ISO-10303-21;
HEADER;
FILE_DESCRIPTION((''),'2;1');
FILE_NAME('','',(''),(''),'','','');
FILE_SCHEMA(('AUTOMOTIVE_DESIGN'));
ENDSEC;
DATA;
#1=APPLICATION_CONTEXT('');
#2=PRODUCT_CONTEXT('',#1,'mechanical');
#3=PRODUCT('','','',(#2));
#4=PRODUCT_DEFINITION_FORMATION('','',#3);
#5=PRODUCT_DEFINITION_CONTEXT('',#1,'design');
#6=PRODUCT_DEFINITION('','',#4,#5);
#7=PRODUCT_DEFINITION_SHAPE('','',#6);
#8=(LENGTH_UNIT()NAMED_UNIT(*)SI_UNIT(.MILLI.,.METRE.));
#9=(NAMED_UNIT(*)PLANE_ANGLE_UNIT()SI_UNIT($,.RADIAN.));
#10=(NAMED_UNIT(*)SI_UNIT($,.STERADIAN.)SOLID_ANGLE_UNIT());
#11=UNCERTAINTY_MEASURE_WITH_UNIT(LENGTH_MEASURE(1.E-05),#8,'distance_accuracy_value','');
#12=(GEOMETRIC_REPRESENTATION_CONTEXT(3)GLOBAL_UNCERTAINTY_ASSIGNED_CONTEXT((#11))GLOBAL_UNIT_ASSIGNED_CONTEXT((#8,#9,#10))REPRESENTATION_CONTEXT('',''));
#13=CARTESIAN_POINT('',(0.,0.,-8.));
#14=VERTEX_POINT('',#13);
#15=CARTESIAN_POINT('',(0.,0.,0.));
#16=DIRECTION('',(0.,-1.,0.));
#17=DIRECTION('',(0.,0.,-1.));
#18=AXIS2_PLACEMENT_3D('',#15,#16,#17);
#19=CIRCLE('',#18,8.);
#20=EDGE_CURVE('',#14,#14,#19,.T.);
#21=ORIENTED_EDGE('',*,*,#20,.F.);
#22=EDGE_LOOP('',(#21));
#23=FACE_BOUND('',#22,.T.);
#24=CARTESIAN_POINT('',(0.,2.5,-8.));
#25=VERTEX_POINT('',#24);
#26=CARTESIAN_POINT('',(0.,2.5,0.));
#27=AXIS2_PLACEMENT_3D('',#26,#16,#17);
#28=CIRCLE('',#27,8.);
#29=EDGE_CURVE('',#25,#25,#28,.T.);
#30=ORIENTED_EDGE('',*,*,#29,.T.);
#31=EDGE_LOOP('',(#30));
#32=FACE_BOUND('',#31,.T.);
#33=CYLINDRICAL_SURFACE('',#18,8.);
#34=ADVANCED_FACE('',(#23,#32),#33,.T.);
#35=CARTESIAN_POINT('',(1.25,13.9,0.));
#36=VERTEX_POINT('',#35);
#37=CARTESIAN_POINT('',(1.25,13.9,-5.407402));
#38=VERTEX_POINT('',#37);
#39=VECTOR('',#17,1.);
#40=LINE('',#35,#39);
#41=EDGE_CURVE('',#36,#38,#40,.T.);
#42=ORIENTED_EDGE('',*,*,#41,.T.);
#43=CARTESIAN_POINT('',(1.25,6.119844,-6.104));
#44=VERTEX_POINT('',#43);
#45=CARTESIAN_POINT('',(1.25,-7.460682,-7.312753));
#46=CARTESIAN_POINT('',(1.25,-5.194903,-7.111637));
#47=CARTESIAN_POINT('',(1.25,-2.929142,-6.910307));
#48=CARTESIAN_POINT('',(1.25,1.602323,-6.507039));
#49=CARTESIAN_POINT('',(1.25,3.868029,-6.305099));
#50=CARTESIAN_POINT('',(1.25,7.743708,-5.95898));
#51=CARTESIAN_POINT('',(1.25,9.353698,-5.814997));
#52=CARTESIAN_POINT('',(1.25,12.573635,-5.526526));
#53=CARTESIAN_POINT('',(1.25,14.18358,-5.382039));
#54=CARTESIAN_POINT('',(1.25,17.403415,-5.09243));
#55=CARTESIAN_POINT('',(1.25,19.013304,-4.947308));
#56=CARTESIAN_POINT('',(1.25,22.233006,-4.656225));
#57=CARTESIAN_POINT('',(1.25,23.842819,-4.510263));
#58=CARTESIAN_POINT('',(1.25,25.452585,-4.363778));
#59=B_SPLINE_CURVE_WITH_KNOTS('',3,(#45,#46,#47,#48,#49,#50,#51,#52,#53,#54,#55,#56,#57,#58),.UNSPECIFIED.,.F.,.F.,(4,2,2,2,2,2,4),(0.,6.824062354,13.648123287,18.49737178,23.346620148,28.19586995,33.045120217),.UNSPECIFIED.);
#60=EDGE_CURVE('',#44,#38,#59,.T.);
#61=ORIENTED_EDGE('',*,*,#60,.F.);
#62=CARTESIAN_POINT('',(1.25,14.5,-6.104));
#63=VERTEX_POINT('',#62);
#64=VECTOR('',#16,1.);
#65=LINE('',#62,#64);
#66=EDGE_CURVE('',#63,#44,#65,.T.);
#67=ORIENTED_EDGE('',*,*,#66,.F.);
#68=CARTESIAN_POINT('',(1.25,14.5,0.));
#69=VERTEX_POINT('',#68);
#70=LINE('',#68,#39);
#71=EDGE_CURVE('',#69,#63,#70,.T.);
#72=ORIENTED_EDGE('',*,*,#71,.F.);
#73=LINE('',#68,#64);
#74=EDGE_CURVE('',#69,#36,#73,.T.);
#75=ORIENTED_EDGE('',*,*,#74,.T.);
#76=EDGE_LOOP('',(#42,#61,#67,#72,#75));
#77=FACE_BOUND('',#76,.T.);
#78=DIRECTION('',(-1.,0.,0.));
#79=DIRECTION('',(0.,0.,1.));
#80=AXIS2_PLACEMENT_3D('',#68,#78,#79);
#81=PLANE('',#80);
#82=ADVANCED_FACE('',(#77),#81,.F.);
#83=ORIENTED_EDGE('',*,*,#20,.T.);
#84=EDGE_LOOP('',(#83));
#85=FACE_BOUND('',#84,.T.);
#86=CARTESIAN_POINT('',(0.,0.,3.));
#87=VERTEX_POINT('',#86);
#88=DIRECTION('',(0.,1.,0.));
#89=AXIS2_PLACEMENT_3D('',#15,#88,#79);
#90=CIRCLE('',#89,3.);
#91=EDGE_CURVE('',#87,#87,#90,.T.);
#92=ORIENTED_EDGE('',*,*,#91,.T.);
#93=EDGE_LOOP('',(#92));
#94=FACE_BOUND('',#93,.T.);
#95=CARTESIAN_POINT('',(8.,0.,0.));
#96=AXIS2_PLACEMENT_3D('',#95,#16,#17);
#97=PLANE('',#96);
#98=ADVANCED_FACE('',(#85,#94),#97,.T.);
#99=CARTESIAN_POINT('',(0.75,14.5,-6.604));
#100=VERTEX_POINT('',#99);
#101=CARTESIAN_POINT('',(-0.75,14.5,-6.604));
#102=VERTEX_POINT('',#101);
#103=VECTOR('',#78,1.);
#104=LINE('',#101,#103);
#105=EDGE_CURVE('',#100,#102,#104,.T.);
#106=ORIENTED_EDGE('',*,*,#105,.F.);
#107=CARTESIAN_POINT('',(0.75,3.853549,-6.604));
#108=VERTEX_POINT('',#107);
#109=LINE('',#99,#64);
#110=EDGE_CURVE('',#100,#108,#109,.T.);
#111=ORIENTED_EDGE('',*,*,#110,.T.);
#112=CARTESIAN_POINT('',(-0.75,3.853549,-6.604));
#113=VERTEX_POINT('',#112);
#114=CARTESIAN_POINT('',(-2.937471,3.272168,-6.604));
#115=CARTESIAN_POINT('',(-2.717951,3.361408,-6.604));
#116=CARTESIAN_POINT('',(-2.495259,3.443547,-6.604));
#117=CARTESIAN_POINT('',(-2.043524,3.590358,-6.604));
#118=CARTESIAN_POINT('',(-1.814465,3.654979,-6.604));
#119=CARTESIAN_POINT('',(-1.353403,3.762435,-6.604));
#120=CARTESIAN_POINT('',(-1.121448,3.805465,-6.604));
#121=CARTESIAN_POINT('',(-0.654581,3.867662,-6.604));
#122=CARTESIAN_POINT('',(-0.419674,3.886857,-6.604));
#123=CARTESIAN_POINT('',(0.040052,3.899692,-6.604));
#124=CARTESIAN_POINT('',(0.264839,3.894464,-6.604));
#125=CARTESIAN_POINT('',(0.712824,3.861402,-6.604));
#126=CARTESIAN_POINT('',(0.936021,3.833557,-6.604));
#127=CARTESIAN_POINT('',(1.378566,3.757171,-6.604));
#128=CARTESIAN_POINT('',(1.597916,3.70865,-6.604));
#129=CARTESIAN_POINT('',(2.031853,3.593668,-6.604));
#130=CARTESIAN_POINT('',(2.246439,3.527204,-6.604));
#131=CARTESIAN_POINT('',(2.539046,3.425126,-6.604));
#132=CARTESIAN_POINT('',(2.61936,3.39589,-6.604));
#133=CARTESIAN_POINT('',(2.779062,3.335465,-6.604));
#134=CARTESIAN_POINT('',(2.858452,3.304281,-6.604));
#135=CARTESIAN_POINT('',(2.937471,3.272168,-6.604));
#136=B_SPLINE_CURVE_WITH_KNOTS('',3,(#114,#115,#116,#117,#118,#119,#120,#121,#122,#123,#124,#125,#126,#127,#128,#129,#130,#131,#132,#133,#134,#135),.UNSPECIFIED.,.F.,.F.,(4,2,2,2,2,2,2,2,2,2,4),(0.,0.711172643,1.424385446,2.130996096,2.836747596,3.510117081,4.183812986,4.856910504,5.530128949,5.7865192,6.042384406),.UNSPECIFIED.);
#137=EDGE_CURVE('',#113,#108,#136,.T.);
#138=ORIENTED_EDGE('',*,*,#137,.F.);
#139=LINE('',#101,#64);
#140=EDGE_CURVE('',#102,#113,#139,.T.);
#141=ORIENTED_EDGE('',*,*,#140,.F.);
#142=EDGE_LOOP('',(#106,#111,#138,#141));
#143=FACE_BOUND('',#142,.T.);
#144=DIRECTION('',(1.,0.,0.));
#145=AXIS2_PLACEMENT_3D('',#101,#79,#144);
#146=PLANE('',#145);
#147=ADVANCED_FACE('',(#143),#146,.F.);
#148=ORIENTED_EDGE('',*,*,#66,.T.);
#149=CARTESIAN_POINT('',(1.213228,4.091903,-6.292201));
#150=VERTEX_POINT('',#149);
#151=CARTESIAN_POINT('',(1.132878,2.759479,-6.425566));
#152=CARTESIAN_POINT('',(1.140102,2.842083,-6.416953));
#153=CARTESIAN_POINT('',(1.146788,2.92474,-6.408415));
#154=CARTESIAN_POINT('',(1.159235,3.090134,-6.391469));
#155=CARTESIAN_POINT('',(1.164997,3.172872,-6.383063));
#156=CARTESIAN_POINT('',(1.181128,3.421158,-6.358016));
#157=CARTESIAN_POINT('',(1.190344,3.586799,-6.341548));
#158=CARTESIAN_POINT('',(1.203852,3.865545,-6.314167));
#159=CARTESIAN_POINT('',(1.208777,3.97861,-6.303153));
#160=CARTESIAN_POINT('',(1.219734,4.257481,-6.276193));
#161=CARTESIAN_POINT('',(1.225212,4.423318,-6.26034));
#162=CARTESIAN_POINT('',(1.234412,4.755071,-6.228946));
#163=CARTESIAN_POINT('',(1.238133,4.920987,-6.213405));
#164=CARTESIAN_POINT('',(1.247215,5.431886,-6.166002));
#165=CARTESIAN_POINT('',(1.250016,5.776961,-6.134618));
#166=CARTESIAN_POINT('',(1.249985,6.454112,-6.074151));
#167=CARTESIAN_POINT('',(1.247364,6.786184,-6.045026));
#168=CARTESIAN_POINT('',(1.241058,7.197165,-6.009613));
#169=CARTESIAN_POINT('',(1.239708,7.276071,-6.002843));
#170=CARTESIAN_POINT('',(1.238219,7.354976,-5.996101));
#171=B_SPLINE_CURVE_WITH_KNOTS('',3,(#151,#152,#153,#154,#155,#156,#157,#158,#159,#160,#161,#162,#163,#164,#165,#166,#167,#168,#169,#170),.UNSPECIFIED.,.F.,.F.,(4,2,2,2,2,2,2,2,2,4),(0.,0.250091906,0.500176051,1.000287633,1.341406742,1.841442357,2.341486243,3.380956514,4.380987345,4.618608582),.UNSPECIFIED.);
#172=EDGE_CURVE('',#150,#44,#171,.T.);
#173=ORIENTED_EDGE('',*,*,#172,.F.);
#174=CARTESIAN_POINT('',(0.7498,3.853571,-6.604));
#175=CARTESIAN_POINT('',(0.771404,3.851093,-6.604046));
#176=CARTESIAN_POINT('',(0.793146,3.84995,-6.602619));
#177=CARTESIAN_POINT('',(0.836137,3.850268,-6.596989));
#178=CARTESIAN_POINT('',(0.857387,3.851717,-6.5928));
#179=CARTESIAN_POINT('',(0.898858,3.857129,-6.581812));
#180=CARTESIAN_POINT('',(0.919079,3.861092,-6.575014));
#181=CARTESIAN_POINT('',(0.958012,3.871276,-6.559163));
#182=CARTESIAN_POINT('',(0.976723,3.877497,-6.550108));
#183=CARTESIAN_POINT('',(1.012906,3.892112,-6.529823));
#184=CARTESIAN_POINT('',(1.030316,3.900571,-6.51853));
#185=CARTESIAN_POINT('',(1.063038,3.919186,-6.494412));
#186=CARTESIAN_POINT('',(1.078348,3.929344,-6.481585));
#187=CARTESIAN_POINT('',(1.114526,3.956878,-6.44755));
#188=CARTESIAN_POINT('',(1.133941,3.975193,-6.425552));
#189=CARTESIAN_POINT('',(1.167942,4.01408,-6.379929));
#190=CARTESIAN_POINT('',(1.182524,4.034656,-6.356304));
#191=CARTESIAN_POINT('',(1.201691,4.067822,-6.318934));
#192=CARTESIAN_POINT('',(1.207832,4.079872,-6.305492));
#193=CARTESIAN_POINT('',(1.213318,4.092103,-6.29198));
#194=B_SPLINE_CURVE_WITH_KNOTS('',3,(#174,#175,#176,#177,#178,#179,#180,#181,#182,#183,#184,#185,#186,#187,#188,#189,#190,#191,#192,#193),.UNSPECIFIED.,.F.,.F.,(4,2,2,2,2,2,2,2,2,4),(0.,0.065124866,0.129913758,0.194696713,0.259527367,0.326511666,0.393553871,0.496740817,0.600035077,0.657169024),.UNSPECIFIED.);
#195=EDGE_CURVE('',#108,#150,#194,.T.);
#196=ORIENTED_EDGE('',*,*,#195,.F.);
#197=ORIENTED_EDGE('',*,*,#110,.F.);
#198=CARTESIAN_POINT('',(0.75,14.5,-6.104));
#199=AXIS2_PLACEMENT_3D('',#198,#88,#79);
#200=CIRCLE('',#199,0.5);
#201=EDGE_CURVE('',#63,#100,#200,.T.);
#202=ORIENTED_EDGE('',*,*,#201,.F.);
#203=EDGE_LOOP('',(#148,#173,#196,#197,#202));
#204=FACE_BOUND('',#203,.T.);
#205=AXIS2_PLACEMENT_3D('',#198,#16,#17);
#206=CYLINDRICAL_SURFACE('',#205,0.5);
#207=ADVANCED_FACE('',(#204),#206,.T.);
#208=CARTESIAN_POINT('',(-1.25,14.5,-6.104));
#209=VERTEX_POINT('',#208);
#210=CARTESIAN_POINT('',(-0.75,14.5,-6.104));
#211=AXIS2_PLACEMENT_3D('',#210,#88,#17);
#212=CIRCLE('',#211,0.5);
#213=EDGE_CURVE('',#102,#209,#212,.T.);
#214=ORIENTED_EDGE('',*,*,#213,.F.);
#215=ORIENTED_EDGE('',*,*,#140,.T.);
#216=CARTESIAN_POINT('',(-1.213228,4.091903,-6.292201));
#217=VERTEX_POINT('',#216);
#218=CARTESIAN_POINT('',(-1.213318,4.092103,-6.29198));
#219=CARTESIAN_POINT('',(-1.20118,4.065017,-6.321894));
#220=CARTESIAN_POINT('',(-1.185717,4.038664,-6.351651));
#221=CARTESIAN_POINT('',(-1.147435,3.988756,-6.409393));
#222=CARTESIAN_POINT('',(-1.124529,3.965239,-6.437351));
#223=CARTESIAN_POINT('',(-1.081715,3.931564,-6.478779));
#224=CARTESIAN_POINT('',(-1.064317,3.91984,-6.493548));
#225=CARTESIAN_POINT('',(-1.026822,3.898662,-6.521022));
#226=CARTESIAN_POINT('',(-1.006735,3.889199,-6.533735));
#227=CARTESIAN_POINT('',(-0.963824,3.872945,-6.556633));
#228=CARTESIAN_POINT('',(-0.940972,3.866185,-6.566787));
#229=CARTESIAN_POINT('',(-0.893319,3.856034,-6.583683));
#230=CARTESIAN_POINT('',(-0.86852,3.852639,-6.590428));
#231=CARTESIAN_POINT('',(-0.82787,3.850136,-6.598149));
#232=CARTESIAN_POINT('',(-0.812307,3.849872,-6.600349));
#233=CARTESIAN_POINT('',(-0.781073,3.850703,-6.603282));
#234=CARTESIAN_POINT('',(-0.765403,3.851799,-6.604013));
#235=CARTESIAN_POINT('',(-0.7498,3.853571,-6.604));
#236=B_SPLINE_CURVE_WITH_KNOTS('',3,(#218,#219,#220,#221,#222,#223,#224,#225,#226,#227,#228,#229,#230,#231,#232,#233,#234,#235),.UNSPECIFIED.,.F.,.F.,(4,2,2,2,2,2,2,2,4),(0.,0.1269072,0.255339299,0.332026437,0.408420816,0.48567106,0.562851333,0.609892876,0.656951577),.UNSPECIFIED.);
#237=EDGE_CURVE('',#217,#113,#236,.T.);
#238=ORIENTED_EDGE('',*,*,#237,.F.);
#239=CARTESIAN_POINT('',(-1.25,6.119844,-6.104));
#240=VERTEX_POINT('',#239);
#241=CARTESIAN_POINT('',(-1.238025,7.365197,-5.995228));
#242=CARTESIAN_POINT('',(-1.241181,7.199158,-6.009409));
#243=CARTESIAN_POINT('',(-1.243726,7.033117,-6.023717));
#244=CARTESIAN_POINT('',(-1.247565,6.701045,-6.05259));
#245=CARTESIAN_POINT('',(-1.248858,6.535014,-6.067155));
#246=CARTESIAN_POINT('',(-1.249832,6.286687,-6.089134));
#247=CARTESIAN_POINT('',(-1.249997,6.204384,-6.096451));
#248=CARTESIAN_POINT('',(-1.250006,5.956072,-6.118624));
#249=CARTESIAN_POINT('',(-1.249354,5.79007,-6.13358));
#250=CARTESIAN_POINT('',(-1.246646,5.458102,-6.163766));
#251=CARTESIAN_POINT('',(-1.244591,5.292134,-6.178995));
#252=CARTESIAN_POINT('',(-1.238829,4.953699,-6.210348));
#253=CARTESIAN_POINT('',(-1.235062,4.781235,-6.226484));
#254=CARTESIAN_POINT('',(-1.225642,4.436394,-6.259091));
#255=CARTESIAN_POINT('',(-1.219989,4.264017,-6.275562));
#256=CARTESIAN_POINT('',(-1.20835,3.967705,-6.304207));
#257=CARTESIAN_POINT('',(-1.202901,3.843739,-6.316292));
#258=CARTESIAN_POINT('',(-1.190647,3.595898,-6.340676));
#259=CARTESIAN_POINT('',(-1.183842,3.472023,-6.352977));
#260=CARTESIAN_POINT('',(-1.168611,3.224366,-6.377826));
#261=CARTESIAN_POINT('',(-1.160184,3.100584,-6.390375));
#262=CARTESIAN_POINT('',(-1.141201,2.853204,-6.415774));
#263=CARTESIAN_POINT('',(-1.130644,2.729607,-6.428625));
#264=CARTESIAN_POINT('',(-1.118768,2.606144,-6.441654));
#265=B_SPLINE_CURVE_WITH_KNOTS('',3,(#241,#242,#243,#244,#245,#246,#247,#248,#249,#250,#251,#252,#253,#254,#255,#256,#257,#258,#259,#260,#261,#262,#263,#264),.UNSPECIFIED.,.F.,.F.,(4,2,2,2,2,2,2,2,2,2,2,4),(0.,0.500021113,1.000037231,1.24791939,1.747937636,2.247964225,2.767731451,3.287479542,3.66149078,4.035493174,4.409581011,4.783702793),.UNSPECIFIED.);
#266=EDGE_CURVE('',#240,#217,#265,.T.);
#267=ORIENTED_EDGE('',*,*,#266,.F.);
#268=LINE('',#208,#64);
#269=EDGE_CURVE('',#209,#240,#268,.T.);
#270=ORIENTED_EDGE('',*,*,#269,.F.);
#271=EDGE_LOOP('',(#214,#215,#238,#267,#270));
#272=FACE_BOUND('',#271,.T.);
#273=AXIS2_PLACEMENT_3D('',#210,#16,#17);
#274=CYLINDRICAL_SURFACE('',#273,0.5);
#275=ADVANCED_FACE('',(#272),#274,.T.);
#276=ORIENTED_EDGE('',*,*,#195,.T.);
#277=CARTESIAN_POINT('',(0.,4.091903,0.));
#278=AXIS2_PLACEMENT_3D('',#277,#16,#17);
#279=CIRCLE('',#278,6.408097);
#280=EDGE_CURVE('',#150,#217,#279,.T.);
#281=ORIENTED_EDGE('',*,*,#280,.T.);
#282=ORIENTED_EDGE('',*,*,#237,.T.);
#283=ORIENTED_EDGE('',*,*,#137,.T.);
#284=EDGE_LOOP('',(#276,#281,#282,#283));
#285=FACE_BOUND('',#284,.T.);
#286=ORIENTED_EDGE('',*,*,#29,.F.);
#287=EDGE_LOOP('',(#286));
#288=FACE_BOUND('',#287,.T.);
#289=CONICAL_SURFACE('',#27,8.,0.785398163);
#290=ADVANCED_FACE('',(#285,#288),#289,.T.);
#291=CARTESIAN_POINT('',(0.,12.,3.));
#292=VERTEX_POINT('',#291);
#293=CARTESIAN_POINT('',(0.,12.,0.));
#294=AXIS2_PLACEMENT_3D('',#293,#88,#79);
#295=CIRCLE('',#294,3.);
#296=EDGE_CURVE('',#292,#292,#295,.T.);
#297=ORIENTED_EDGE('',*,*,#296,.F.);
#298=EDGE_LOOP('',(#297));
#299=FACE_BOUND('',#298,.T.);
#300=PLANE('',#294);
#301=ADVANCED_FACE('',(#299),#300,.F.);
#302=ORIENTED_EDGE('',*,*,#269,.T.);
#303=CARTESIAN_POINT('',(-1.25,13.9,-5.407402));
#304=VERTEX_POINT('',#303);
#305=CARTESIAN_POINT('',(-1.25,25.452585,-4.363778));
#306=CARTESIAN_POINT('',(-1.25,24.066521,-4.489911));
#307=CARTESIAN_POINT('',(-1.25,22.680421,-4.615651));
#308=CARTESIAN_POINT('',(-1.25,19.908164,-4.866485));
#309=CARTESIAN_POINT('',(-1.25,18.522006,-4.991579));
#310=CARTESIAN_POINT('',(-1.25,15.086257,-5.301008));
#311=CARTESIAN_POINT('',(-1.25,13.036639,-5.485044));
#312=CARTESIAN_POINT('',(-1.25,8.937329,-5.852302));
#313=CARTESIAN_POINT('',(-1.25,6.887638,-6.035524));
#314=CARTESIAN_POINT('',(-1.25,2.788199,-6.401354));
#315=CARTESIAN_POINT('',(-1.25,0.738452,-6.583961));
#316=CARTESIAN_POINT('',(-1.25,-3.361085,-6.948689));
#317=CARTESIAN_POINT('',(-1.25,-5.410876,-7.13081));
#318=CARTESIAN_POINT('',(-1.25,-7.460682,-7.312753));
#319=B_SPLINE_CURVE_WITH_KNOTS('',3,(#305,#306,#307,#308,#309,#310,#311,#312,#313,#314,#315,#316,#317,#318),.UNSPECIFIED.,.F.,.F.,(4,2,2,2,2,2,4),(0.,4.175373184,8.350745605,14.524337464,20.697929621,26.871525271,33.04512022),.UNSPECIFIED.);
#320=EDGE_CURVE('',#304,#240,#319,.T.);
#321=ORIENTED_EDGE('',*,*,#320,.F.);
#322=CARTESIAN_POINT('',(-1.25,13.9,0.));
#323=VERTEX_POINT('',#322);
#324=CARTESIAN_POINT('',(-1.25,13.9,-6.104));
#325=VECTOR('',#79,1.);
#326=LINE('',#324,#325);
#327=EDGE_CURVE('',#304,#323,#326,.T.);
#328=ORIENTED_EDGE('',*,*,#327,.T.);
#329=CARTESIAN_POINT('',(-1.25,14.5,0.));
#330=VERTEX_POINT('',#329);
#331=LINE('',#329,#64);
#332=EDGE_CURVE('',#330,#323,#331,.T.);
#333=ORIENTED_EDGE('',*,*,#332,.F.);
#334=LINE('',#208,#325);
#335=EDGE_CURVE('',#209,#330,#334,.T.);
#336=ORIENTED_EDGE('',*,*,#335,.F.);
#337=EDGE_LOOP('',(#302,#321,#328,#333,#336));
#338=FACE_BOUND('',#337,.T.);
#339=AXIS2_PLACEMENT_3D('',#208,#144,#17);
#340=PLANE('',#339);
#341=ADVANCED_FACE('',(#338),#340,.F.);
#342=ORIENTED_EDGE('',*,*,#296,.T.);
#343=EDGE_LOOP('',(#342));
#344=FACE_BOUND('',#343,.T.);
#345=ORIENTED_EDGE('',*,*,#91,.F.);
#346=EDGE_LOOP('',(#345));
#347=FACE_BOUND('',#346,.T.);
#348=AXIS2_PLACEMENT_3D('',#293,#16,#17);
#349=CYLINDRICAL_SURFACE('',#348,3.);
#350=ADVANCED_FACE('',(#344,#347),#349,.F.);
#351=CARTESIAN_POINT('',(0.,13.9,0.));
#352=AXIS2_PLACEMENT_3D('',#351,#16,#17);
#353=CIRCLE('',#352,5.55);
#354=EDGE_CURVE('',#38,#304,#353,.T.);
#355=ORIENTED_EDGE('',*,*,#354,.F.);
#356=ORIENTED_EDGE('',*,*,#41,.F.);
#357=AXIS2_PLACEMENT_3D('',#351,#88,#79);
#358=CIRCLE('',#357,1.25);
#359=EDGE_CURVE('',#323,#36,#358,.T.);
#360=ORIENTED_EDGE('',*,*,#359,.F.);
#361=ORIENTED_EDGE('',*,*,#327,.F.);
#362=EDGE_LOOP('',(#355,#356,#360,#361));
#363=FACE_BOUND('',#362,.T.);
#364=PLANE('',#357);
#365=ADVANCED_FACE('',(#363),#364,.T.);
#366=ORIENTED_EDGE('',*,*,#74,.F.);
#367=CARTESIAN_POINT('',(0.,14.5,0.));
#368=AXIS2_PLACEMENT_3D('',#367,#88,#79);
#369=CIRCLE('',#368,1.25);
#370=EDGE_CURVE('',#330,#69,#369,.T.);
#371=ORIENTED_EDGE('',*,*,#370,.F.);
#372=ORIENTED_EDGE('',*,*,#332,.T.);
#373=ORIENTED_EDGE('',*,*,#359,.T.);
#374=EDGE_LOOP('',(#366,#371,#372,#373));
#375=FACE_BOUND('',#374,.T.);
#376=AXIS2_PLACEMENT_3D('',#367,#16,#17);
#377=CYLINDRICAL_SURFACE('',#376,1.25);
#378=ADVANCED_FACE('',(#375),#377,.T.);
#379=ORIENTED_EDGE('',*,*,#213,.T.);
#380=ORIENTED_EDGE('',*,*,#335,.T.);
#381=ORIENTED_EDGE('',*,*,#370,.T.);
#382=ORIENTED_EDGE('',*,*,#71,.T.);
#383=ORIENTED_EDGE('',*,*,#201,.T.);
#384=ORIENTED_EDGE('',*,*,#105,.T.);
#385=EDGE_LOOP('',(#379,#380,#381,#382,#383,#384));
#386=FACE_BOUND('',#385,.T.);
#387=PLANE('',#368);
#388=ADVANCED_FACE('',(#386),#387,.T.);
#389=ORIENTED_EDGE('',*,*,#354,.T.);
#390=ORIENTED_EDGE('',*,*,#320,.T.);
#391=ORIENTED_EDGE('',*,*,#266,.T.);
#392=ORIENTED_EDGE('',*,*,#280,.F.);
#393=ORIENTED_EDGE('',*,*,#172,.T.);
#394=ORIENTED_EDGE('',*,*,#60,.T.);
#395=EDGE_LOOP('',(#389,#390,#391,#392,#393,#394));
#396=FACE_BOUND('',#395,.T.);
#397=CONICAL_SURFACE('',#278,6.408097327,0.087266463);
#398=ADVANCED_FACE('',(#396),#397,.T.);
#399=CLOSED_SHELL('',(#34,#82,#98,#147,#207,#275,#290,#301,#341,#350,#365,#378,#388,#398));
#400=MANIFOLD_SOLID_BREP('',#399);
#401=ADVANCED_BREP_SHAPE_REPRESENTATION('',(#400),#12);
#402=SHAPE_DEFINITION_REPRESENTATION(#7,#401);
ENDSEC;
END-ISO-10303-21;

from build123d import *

# Parameters (mm, degrees)
BOSS_EXTRUDE1_REACH             = 19.922
BOSS_EXTRUDE1_DIRECTION_2_DEPTH = 0.6
SKETCH3_R                       = 3
CUT_EXTRUDE1_DEPTH              = 12


with BuildPart() as part:
    # Sketch1 → Revolve1 (revolve)
    with BuildSketch(Plane.XY):
        Polygon((0, 13.9), (5.55, 13.9), (6.408097327, 4.091902673), (8, 2.5), (8, 0), (0, 0), align=None)
    revolve(axis=Axis((0, 0, 0), (0, 1, 0)))

    # Sketch2 → Boss-Extrude1 (add, up to next)
    with BuildSketch(Plane(origin=(0, 13.9, 0), x_dir=(1, 0, 0), z_dir=(0, 1, 0)), mode=Mode.PRIVATE) as boss_extrude1_sk1:
        with BuildLine():
            Line((-1.25000004, 6.104), (-1.25000004, 0))
            ThreePointArc((-1.25000004, 0), (0, -1.25000004), (1.25000004, 0))
            Line((1.25000004, 0), (1.25000004, 6.104))
            ThreePointArc((1.25000004, 6.104), (1.103553431, 6.457553391), (0.75000004, 6.604))
            Line((0.75000004, 6.604), (-0.75000004, 6.604))
            ThreePointArc((-0.75000004, 6.604), (-1.103553431, 6.457553391), (-1.25000004, 6.104))
        make_face()
    boss_extrude1_tool1 = extrude(boss_extrude1_sk1.sketch, amount=-BOSS_EXTRUDE1_REACH, mode=Mode.PRIVATE) - part.part
    add(boss_extrude1_tool1.solids().sort_by_distance((0, 13.9, -2.78502))[0])

    # Sketch2 → Boss-Extrude1 direction 2 (add)
    with BuildSketch(Plane(origin=(0, 13.9, 0), x_dir=(1, 0, 0), z_dir=(0, 1, 0))):
        with BuildLine():
            Line((-1.25000004, 6.104), (-1.25000004, 0))
            ThreePointArc((-1.25000004, 0), (0, -1.25000004), (1.25000004, 0))
            Line((1.25000004, 0), (1.25000004, 6.104))
            ThreePointArc((1.25000004, 6.104), (1.103553431, 6.457553391), (0.75000004, 6.604))
            Line((0.75000004, 6.604), (-0.75000004, 6.604))
            ThreePointArc((-0.75000004, 6.604), (-1.103553431, 6.457553391), (-1.25000004, 6.104))
        make_face()
    extrude(amount=BOSS_EXTRUDE1_DIRECTION_2_DEPTH)

    # Sketch3 → Cut-Extrude1 (cut)
    with BuildSketch(Plane(origin=(0, 0, 0), x_dir=(1, 0, 0), z_dir=(0, 1, 0))):
        Circle(SKETCH3_R)
    extrude(amount=CUT_EXTRUDE1_DEPTH, mode=Mode.SUBTRACT)


solid = part.part
